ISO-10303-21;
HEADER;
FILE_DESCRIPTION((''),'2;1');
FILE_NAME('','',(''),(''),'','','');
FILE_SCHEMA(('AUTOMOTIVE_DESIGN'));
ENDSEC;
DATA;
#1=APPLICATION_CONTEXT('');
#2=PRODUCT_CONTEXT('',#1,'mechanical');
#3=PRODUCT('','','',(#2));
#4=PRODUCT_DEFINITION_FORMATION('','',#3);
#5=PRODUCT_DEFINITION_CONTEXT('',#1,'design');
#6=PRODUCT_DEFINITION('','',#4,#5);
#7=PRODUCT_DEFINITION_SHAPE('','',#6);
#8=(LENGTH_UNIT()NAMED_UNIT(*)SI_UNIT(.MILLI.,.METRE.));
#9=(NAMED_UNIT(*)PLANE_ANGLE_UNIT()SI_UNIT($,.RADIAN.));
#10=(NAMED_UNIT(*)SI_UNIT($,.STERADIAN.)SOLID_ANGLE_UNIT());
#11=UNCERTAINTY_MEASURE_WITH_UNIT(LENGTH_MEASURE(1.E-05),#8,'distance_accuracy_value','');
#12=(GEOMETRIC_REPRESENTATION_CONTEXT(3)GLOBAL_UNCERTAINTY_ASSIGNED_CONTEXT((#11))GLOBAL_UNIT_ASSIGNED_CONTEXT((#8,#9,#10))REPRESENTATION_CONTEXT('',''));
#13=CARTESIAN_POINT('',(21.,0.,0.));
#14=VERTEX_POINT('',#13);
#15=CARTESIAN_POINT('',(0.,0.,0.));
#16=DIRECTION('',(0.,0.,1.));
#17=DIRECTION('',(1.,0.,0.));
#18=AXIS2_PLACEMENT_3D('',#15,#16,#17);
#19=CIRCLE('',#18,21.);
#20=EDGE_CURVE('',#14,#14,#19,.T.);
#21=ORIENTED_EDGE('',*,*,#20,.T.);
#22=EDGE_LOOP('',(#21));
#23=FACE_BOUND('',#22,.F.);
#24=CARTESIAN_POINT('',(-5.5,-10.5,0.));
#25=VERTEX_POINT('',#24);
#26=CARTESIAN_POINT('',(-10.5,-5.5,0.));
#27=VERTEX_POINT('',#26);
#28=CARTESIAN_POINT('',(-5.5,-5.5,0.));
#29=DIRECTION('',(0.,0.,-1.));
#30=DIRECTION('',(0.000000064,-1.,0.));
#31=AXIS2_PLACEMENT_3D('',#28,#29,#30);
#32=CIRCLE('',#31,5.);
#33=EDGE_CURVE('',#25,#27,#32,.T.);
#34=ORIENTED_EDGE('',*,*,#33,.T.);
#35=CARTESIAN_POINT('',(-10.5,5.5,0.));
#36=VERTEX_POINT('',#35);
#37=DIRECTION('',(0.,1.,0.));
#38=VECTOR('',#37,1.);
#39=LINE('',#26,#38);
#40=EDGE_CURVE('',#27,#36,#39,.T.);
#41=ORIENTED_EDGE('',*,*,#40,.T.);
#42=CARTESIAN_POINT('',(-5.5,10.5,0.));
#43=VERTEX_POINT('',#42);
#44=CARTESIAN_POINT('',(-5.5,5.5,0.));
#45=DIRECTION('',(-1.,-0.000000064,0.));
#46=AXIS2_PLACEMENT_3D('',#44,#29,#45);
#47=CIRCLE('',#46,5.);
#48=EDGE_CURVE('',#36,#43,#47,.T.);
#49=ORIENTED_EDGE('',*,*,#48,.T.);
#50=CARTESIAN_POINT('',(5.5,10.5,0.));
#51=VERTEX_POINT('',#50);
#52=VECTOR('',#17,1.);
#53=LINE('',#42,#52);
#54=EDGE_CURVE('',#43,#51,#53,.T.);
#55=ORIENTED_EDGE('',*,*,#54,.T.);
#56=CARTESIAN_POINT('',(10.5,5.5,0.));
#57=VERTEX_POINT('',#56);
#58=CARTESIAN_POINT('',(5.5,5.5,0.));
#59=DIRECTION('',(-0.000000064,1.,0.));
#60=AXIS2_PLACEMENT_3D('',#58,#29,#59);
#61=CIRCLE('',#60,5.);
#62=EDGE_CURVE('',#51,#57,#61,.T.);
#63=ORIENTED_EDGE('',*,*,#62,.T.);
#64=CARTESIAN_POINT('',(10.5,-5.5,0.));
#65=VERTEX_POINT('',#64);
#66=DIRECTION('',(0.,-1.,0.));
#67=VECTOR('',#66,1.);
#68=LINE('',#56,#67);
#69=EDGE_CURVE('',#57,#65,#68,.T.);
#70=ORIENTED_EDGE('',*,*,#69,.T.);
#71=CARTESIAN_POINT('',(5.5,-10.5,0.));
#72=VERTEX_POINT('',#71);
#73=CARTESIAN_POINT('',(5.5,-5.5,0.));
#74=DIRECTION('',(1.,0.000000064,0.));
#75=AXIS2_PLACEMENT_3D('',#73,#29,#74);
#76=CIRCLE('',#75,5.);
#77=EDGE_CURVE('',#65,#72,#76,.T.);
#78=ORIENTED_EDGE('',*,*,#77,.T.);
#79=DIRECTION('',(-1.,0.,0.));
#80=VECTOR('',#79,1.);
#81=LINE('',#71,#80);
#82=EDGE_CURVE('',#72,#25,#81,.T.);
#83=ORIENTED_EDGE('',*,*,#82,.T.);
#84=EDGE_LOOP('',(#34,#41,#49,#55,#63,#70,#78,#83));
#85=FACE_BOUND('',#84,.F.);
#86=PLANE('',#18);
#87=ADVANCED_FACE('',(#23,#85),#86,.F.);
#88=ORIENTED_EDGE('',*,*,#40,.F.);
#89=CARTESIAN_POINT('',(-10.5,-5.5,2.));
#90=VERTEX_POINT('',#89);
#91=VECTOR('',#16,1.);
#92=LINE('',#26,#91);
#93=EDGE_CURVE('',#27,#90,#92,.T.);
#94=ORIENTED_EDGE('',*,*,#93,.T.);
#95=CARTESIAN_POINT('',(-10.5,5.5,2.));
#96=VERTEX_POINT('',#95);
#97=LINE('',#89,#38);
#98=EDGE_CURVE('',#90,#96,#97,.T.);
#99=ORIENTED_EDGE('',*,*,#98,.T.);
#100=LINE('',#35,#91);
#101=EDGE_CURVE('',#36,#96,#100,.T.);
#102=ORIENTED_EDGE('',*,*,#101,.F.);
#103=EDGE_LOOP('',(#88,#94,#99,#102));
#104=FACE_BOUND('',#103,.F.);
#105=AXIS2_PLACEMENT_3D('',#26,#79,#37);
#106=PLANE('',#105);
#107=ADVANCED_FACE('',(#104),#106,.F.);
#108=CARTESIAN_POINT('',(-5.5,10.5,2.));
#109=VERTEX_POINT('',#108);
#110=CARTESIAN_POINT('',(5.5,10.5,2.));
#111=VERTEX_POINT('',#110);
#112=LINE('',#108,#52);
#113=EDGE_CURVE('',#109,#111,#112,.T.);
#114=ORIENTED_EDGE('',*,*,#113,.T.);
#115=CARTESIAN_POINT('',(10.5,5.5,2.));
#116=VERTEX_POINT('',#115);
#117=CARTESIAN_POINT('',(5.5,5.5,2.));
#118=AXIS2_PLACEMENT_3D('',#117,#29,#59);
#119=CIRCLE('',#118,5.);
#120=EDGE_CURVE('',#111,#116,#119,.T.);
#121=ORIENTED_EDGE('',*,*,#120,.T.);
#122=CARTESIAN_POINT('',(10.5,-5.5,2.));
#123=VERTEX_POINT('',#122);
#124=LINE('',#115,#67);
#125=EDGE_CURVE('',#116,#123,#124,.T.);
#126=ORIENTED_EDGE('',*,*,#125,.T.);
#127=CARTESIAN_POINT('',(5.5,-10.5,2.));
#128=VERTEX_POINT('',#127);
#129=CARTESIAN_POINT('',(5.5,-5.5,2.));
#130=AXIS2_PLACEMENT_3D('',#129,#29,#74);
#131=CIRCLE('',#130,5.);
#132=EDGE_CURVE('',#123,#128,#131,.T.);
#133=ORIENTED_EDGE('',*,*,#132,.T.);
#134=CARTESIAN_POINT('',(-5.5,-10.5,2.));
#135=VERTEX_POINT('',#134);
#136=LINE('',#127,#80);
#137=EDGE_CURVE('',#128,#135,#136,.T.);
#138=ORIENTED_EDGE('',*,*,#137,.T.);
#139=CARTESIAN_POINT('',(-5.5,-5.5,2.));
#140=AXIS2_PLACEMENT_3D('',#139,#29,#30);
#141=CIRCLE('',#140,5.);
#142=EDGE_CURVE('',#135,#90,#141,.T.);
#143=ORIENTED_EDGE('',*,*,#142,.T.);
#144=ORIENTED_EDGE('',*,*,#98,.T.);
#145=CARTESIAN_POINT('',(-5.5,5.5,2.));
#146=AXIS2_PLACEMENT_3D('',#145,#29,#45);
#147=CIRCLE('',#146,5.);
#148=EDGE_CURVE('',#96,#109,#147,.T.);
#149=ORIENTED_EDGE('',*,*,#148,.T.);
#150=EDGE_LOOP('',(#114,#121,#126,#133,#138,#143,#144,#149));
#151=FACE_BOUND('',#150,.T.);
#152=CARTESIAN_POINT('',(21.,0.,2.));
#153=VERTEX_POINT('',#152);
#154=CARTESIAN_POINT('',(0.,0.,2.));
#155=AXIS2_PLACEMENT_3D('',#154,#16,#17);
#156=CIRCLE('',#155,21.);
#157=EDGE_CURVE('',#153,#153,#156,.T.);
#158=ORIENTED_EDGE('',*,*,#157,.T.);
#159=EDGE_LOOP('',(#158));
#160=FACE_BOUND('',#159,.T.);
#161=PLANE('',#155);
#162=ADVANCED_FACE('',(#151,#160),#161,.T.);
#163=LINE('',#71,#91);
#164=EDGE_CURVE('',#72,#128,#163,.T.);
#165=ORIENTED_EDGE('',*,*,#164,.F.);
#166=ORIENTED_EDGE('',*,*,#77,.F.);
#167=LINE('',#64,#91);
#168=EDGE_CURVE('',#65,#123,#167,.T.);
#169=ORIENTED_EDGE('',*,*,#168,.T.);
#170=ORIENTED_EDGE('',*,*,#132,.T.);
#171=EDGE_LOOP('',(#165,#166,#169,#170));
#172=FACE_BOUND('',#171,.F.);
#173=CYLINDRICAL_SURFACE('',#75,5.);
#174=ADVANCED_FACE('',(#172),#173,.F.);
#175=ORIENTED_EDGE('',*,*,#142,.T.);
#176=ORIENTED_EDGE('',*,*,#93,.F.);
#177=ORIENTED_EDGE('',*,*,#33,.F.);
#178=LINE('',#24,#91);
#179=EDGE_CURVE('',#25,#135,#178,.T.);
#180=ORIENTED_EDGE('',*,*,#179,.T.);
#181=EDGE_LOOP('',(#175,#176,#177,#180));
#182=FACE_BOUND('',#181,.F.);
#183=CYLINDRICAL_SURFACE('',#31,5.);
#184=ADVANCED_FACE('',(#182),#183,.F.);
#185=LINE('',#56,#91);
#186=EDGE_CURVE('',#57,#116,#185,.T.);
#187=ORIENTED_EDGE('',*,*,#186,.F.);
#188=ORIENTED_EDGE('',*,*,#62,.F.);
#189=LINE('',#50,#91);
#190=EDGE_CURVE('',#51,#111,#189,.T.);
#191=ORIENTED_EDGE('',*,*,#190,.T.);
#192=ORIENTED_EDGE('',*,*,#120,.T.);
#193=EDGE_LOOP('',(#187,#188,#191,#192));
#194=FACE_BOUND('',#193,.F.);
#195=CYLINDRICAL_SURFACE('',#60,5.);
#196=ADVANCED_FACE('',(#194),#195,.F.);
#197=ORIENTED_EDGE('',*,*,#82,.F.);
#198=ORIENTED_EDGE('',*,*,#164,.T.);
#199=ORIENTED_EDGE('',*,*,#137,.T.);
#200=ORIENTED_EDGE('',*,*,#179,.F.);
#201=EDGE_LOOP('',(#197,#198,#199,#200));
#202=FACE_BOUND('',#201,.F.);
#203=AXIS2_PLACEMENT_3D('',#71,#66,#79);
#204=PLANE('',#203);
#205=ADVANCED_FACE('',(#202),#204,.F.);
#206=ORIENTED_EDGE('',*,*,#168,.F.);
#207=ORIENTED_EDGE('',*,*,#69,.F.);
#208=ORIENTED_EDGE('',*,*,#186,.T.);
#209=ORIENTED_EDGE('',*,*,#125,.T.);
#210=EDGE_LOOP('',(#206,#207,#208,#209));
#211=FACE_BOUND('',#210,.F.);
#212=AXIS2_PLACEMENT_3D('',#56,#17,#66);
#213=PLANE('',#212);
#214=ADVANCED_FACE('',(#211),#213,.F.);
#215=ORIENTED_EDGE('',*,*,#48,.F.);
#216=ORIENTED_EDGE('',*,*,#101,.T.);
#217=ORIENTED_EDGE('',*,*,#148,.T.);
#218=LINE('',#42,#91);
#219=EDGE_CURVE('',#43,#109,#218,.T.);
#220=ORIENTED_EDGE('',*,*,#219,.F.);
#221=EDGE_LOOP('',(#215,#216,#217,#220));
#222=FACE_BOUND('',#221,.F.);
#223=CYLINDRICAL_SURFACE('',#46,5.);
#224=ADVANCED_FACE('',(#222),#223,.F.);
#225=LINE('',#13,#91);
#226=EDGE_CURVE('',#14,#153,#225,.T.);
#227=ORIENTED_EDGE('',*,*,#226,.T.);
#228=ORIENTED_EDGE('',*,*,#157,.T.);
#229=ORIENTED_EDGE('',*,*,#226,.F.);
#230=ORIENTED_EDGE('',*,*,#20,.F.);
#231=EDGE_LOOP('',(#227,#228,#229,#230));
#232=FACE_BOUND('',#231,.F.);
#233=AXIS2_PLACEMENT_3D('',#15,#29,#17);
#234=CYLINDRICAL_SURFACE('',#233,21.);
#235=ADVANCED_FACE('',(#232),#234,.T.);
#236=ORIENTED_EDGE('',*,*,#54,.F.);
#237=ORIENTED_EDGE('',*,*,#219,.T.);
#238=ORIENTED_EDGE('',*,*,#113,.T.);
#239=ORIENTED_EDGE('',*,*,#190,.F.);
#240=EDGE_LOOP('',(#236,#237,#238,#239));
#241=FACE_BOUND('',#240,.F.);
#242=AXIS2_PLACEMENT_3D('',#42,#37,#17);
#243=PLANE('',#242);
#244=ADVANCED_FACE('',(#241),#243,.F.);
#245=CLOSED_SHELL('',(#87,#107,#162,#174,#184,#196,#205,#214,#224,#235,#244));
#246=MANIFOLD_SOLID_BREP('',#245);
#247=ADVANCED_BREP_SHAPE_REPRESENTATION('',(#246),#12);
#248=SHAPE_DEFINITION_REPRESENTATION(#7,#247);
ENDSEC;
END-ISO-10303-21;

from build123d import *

# Parameters (mm, degrees)
F0_R     = 21
F1_DEPTH = 2


with BuildPart() as f1:
    # F0 (on Top) → F1 (new body)
    with BuildSketch(Plane.XY):
        Circle(F0_R)
        with BuildLine():
            Line((5.5, -10.5), (-5.5, -10.5))
            ThreePointArc((-5.5, -10.5), (-9.035534, -9.035534), (-10.5, -5.5))
            Line((-10.5, -5.5), (-10.5, 5.5))
            ThreePointArc((-10.5, 5.5), (-9.035534, 9.035534), (-5.5, 10.5))
            Line((-5.5, 10.5), (5.5, 10.5))
            ThreePointArc((5.5, 10.5), (9.035534, 9.035534), (10.5, 5.5))
            Line((10.5, 5.5), (10.5, -5.5))
            ThreePointArc((10.5, -5.5), (9.035534, -9.035534), (5.5, -10.5))
        make_face(mode=Mode.SUBTRACT)
    extrude(amount=F1_DEPTH)


solid = f1.part
